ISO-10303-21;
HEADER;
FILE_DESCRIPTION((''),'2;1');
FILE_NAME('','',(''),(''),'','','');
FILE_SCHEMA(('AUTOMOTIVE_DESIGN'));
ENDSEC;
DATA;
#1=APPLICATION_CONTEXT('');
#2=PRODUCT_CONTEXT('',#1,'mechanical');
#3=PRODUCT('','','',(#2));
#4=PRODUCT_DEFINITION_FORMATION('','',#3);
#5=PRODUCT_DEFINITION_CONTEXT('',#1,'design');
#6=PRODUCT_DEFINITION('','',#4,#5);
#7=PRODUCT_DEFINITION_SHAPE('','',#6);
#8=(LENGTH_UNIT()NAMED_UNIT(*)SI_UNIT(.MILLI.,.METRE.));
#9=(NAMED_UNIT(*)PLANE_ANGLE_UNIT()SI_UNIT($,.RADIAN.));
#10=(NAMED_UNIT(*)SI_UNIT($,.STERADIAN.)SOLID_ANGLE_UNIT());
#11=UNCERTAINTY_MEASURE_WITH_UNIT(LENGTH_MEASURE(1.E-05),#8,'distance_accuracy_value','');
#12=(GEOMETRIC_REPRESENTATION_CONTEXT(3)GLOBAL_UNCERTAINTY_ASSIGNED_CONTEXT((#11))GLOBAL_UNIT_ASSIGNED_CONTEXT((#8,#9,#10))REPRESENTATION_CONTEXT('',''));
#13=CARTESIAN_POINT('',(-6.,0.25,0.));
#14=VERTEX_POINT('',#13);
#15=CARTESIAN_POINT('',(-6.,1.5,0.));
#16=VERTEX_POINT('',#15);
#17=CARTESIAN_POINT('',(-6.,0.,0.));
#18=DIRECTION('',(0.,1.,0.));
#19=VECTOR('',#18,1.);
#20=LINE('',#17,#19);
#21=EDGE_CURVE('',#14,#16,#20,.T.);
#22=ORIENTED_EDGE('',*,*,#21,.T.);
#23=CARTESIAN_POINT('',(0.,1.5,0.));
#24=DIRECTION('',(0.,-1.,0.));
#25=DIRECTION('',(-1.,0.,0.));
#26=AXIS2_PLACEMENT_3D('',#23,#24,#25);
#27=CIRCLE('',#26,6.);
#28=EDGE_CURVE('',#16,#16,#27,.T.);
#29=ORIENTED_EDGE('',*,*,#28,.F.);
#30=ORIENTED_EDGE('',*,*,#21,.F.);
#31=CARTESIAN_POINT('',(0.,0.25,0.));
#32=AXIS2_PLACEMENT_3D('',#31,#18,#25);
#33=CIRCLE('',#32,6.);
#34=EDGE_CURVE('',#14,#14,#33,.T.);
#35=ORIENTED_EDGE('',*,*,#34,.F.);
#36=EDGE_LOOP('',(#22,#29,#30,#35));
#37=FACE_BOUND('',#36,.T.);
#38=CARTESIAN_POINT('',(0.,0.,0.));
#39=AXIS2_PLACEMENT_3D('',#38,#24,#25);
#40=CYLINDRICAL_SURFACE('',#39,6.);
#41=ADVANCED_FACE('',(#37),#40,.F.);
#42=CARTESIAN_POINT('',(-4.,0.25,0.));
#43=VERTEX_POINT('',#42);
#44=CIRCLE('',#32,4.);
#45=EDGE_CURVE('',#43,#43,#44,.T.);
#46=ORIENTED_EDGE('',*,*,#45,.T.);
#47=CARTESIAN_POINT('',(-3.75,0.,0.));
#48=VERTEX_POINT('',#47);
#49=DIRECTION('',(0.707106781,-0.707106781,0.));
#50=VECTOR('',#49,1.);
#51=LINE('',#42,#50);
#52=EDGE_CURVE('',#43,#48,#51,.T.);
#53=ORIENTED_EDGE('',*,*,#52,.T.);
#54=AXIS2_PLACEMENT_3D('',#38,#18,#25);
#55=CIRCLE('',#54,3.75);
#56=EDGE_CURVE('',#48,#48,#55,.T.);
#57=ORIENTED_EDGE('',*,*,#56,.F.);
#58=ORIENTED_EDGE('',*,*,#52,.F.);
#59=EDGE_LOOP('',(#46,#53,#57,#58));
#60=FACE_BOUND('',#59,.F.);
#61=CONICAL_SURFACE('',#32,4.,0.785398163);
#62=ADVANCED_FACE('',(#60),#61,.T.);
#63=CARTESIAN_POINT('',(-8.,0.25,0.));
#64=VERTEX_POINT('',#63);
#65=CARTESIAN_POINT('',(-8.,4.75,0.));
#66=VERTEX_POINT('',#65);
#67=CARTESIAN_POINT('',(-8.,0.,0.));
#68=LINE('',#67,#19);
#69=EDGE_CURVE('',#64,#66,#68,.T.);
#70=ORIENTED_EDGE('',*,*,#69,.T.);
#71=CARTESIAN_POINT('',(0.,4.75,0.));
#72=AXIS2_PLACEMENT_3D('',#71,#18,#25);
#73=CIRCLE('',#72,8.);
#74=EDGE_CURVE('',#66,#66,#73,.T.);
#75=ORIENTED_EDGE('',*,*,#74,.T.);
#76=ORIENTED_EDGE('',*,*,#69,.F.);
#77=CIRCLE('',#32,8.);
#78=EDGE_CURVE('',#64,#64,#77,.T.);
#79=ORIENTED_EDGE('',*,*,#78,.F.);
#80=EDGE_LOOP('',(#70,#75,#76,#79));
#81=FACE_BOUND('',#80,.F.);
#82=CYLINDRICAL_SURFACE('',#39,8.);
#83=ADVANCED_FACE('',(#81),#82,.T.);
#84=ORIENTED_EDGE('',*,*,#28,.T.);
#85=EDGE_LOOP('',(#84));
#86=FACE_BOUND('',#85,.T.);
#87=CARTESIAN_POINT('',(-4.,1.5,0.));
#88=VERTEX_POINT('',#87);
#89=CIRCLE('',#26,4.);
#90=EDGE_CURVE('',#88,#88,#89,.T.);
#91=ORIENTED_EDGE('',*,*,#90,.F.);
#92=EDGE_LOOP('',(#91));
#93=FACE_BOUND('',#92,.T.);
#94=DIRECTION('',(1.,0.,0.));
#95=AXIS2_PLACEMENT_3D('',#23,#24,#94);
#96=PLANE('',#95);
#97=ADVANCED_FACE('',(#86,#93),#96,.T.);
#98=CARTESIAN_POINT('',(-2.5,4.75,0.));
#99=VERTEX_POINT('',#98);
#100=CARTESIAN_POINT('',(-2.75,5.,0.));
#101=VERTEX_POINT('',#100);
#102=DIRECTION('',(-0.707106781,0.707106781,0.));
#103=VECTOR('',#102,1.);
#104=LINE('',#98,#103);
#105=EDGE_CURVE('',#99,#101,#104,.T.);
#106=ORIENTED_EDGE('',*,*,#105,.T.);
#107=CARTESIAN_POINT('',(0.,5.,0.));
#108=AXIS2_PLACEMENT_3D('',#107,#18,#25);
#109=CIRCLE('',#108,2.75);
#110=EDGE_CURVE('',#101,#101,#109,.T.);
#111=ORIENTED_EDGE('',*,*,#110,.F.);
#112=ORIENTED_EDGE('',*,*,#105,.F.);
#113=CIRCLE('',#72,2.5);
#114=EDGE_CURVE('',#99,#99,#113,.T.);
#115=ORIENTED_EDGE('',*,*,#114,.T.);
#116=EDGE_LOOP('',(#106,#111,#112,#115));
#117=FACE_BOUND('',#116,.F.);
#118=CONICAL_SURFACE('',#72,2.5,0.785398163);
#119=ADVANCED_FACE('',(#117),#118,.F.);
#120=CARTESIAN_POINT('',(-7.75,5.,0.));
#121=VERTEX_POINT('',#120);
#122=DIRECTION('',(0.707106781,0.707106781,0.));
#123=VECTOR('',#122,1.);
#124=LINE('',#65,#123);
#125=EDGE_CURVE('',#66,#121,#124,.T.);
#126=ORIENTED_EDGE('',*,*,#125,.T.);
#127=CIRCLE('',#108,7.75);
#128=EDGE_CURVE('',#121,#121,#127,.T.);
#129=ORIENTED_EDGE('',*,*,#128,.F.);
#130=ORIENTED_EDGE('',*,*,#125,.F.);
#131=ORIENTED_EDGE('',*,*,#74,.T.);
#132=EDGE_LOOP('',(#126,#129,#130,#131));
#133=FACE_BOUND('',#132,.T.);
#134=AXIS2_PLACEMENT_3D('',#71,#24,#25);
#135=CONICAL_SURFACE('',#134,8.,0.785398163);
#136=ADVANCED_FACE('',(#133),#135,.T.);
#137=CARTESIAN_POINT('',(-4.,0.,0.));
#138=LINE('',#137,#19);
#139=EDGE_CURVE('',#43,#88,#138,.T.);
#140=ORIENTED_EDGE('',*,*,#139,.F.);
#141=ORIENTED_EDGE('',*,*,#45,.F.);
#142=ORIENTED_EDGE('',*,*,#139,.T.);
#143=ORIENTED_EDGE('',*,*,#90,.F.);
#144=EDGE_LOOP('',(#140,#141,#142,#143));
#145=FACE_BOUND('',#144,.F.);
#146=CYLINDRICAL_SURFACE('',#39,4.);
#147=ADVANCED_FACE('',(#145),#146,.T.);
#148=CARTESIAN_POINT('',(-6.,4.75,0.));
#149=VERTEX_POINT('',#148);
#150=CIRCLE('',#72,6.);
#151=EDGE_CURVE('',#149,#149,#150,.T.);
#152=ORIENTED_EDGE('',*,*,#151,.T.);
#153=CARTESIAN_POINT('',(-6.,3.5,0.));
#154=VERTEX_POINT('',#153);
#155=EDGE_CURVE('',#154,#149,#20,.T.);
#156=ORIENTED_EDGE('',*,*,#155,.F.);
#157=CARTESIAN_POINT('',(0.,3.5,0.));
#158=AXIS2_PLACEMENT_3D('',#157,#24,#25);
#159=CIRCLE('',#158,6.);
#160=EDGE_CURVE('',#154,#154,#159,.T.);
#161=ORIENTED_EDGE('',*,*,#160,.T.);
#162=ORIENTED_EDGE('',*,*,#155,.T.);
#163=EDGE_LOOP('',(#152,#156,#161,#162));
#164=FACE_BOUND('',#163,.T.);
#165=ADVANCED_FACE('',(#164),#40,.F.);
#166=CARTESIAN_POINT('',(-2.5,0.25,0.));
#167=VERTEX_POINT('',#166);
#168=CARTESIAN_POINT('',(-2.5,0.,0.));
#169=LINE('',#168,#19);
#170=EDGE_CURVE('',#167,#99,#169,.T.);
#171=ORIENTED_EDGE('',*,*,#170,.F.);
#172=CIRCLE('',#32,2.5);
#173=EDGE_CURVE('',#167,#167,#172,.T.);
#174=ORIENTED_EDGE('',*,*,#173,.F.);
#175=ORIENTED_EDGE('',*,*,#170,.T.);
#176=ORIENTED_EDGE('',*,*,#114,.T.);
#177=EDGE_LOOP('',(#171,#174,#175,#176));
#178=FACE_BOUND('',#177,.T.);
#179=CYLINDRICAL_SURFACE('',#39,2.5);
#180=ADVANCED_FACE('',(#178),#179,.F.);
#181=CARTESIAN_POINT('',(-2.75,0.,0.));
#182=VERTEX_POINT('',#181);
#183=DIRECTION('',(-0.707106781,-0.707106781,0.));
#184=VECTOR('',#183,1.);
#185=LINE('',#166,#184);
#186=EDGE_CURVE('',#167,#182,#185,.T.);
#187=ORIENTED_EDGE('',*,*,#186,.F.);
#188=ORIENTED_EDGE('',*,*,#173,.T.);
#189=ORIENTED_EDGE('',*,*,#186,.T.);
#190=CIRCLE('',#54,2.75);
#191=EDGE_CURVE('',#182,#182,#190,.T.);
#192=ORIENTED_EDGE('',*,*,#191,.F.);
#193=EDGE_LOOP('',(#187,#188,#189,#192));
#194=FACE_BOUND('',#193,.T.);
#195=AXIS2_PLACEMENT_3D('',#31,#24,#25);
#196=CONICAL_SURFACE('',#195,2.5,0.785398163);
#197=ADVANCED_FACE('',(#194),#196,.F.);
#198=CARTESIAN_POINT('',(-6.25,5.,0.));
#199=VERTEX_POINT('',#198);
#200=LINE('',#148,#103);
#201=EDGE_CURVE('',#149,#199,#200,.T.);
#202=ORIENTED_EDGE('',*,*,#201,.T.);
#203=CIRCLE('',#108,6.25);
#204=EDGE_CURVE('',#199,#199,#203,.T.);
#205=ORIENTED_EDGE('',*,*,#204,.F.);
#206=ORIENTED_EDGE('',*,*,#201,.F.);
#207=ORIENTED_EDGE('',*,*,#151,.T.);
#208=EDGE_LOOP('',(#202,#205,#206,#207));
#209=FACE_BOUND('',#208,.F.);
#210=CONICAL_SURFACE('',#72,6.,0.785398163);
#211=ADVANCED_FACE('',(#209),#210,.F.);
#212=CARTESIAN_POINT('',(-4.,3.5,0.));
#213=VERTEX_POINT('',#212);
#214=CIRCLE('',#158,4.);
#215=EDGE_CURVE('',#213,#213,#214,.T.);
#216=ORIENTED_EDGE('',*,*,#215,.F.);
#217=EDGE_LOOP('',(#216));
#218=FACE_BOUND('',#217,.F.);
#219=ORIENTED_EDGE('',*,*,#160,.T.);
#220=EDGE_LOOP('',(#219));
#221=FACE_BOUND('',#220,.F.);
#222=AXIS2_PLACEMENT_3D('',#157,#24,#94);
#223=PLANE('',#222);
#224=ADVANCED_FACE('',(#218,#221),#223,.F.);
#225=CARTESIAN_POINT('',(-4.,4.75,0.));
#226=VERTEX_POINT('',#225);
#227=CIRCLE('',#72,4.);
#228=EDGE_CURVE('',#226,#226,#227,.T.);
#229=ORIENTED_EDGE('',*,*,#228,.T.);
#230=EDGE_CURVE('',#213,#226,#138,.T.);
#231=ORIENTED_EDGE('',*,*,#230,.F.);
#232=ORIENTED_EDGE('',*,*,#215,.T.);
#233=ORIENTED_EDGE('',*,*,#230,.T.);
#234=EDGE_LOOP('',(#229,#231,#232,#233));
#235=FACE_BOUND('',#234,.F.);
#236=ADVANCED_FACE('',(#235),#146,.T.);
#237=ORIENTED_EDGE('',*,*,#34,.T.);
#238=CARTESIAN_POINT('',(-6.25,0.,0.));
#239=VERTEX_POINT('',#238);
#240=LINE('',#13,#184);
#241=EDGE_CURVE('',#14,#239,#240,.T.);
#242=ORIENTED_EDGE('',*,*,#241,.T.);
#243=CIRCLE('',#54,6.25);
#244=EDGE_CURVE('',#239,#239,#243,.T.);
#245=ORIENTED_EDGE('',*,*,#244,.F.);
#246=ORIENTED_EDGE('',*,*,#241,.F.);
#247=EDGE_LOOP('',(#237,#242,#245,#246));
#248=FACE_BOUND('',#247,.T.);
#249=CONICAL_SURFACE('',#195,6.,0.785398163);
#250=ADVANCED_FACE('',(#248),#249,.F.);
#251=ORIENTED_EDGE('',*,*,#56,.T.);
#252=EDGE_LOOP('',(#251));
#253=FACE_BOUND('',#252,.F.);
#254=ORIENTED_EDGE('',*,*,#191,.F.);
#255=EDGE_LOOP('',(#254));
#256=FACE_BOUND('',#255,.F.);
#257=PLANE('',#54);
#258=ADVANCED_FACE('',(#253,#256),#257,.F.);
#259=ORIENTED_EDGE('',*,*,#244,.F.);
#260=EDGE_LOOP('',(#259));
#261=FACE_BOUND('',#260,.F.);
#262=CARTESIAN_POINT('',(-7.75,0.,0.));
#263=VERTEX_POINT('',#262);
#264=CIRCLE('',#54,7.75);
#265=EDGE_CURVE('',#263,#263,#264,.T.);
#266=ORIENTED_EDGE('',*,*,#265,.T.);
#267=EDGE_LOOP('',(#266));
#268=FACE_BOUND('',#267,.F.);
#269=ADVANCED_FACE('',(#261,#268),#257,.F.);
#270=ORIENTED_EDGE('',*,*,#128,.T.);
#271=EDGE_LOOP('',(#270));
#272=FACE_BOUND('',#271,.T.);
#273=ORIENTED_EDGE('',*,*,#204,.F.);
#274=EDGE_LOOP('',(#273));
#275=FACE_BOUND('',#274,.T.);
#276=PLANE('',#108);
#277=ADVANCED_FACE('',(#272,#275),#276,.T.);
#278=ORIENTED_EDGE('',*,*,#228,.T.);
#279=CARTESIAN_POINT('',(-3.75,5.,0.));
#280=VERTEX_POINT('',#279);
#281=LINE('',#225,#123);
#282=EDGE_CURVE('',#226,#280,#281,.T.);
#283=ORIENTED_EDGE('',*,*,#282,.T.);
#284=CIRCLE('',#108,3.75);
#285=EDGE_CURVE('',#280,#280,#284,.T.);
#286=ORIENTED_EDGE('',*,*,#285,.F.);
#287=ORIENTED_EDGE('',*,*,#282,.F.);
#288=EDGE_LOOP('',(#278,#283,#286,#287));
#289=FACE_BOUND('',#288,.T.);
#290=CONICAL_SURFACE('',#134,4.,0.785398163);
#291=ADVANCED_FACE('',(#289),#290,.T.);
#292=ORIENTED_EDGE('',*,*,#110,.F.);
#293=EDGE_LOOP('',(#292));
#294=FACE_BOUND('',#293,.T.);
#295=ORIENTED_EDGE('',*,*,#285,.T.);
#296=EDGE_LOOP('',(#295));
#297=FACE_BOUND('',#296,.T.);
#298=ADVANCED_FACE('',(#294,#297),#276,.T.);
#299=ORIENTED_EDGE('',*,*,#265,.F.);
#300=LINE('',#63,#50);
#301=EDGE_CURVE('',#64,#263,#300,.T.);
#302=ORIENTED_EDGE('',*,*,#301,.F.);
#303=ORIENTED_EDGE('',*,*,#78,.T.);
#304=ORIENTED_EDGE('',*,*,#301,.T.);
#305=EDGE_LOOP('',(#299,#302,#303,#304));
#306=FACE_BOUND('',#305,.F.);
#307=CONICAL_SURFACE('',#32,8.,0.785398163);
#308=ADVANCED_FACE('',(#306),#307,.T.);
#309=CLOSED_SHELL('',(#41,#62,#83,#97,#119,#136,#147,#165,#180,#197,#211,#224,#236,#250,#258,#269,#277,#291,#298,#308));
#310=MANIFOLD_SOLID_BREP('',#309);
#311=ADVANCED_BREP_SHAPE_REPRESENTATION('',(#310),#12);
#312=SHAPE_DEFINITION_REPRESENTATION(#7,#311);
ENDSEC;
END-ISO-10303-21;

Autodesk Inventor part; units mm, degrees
ref_plane "YZ Plane" through (0, 0, 0) normal (1, 0, 0) x (0, 1, 0)
ref_plane "XZ Plane" through (0, 0, 0) normal (0, 1, 0) x (-1, 0, 0)
sketch "Эскиз1" plane through (0, 0, 0) normal (0, 1, 0) x (-1, 0, 0)
  circle A0 centre (0, 0) radius 8
  circle A1 centre (0, 0) radius 2.5
  circle A2 centre (0, 0) radius 4
  circle A3 centre (0, 0) radius 6
  dimension "d0" = 16
  dimension "d1" = 5
  dimension "d2" = 8
  dimension "d3" = 12
extrude "Выдавливание1" add sketch "Эскиз1" along normal blind 5
chamfer "Фаска1" distance 0.25 angle 45 8 edges at (8, 0, 0) (8, 5, 0) (6, 5, 0) (2.5, 0, 0) (2.5, 5, 0) (4, 5, 0) (4, 0, 0) (6, 0, 0)
ref_plane "РабПлоскость1" through (0, 1.5, 0) normal (0, -1, 0) x (1, 0, 0)
sketch "Эскиз2" plane through (0, 1.5, 0) normal (0, -1, 0) x (1, 0, 0)
  circle A0 centre (0, 0) radius 6.25 projected
  circle A1 centre (0, 0) radius 6.7619
  circle A2 centre (0, 0) radius 3.4801
extrude "Выдавливание2" add sketch "Эскиз2" against normal blind 2 contours A0
properties part number "625zz"
